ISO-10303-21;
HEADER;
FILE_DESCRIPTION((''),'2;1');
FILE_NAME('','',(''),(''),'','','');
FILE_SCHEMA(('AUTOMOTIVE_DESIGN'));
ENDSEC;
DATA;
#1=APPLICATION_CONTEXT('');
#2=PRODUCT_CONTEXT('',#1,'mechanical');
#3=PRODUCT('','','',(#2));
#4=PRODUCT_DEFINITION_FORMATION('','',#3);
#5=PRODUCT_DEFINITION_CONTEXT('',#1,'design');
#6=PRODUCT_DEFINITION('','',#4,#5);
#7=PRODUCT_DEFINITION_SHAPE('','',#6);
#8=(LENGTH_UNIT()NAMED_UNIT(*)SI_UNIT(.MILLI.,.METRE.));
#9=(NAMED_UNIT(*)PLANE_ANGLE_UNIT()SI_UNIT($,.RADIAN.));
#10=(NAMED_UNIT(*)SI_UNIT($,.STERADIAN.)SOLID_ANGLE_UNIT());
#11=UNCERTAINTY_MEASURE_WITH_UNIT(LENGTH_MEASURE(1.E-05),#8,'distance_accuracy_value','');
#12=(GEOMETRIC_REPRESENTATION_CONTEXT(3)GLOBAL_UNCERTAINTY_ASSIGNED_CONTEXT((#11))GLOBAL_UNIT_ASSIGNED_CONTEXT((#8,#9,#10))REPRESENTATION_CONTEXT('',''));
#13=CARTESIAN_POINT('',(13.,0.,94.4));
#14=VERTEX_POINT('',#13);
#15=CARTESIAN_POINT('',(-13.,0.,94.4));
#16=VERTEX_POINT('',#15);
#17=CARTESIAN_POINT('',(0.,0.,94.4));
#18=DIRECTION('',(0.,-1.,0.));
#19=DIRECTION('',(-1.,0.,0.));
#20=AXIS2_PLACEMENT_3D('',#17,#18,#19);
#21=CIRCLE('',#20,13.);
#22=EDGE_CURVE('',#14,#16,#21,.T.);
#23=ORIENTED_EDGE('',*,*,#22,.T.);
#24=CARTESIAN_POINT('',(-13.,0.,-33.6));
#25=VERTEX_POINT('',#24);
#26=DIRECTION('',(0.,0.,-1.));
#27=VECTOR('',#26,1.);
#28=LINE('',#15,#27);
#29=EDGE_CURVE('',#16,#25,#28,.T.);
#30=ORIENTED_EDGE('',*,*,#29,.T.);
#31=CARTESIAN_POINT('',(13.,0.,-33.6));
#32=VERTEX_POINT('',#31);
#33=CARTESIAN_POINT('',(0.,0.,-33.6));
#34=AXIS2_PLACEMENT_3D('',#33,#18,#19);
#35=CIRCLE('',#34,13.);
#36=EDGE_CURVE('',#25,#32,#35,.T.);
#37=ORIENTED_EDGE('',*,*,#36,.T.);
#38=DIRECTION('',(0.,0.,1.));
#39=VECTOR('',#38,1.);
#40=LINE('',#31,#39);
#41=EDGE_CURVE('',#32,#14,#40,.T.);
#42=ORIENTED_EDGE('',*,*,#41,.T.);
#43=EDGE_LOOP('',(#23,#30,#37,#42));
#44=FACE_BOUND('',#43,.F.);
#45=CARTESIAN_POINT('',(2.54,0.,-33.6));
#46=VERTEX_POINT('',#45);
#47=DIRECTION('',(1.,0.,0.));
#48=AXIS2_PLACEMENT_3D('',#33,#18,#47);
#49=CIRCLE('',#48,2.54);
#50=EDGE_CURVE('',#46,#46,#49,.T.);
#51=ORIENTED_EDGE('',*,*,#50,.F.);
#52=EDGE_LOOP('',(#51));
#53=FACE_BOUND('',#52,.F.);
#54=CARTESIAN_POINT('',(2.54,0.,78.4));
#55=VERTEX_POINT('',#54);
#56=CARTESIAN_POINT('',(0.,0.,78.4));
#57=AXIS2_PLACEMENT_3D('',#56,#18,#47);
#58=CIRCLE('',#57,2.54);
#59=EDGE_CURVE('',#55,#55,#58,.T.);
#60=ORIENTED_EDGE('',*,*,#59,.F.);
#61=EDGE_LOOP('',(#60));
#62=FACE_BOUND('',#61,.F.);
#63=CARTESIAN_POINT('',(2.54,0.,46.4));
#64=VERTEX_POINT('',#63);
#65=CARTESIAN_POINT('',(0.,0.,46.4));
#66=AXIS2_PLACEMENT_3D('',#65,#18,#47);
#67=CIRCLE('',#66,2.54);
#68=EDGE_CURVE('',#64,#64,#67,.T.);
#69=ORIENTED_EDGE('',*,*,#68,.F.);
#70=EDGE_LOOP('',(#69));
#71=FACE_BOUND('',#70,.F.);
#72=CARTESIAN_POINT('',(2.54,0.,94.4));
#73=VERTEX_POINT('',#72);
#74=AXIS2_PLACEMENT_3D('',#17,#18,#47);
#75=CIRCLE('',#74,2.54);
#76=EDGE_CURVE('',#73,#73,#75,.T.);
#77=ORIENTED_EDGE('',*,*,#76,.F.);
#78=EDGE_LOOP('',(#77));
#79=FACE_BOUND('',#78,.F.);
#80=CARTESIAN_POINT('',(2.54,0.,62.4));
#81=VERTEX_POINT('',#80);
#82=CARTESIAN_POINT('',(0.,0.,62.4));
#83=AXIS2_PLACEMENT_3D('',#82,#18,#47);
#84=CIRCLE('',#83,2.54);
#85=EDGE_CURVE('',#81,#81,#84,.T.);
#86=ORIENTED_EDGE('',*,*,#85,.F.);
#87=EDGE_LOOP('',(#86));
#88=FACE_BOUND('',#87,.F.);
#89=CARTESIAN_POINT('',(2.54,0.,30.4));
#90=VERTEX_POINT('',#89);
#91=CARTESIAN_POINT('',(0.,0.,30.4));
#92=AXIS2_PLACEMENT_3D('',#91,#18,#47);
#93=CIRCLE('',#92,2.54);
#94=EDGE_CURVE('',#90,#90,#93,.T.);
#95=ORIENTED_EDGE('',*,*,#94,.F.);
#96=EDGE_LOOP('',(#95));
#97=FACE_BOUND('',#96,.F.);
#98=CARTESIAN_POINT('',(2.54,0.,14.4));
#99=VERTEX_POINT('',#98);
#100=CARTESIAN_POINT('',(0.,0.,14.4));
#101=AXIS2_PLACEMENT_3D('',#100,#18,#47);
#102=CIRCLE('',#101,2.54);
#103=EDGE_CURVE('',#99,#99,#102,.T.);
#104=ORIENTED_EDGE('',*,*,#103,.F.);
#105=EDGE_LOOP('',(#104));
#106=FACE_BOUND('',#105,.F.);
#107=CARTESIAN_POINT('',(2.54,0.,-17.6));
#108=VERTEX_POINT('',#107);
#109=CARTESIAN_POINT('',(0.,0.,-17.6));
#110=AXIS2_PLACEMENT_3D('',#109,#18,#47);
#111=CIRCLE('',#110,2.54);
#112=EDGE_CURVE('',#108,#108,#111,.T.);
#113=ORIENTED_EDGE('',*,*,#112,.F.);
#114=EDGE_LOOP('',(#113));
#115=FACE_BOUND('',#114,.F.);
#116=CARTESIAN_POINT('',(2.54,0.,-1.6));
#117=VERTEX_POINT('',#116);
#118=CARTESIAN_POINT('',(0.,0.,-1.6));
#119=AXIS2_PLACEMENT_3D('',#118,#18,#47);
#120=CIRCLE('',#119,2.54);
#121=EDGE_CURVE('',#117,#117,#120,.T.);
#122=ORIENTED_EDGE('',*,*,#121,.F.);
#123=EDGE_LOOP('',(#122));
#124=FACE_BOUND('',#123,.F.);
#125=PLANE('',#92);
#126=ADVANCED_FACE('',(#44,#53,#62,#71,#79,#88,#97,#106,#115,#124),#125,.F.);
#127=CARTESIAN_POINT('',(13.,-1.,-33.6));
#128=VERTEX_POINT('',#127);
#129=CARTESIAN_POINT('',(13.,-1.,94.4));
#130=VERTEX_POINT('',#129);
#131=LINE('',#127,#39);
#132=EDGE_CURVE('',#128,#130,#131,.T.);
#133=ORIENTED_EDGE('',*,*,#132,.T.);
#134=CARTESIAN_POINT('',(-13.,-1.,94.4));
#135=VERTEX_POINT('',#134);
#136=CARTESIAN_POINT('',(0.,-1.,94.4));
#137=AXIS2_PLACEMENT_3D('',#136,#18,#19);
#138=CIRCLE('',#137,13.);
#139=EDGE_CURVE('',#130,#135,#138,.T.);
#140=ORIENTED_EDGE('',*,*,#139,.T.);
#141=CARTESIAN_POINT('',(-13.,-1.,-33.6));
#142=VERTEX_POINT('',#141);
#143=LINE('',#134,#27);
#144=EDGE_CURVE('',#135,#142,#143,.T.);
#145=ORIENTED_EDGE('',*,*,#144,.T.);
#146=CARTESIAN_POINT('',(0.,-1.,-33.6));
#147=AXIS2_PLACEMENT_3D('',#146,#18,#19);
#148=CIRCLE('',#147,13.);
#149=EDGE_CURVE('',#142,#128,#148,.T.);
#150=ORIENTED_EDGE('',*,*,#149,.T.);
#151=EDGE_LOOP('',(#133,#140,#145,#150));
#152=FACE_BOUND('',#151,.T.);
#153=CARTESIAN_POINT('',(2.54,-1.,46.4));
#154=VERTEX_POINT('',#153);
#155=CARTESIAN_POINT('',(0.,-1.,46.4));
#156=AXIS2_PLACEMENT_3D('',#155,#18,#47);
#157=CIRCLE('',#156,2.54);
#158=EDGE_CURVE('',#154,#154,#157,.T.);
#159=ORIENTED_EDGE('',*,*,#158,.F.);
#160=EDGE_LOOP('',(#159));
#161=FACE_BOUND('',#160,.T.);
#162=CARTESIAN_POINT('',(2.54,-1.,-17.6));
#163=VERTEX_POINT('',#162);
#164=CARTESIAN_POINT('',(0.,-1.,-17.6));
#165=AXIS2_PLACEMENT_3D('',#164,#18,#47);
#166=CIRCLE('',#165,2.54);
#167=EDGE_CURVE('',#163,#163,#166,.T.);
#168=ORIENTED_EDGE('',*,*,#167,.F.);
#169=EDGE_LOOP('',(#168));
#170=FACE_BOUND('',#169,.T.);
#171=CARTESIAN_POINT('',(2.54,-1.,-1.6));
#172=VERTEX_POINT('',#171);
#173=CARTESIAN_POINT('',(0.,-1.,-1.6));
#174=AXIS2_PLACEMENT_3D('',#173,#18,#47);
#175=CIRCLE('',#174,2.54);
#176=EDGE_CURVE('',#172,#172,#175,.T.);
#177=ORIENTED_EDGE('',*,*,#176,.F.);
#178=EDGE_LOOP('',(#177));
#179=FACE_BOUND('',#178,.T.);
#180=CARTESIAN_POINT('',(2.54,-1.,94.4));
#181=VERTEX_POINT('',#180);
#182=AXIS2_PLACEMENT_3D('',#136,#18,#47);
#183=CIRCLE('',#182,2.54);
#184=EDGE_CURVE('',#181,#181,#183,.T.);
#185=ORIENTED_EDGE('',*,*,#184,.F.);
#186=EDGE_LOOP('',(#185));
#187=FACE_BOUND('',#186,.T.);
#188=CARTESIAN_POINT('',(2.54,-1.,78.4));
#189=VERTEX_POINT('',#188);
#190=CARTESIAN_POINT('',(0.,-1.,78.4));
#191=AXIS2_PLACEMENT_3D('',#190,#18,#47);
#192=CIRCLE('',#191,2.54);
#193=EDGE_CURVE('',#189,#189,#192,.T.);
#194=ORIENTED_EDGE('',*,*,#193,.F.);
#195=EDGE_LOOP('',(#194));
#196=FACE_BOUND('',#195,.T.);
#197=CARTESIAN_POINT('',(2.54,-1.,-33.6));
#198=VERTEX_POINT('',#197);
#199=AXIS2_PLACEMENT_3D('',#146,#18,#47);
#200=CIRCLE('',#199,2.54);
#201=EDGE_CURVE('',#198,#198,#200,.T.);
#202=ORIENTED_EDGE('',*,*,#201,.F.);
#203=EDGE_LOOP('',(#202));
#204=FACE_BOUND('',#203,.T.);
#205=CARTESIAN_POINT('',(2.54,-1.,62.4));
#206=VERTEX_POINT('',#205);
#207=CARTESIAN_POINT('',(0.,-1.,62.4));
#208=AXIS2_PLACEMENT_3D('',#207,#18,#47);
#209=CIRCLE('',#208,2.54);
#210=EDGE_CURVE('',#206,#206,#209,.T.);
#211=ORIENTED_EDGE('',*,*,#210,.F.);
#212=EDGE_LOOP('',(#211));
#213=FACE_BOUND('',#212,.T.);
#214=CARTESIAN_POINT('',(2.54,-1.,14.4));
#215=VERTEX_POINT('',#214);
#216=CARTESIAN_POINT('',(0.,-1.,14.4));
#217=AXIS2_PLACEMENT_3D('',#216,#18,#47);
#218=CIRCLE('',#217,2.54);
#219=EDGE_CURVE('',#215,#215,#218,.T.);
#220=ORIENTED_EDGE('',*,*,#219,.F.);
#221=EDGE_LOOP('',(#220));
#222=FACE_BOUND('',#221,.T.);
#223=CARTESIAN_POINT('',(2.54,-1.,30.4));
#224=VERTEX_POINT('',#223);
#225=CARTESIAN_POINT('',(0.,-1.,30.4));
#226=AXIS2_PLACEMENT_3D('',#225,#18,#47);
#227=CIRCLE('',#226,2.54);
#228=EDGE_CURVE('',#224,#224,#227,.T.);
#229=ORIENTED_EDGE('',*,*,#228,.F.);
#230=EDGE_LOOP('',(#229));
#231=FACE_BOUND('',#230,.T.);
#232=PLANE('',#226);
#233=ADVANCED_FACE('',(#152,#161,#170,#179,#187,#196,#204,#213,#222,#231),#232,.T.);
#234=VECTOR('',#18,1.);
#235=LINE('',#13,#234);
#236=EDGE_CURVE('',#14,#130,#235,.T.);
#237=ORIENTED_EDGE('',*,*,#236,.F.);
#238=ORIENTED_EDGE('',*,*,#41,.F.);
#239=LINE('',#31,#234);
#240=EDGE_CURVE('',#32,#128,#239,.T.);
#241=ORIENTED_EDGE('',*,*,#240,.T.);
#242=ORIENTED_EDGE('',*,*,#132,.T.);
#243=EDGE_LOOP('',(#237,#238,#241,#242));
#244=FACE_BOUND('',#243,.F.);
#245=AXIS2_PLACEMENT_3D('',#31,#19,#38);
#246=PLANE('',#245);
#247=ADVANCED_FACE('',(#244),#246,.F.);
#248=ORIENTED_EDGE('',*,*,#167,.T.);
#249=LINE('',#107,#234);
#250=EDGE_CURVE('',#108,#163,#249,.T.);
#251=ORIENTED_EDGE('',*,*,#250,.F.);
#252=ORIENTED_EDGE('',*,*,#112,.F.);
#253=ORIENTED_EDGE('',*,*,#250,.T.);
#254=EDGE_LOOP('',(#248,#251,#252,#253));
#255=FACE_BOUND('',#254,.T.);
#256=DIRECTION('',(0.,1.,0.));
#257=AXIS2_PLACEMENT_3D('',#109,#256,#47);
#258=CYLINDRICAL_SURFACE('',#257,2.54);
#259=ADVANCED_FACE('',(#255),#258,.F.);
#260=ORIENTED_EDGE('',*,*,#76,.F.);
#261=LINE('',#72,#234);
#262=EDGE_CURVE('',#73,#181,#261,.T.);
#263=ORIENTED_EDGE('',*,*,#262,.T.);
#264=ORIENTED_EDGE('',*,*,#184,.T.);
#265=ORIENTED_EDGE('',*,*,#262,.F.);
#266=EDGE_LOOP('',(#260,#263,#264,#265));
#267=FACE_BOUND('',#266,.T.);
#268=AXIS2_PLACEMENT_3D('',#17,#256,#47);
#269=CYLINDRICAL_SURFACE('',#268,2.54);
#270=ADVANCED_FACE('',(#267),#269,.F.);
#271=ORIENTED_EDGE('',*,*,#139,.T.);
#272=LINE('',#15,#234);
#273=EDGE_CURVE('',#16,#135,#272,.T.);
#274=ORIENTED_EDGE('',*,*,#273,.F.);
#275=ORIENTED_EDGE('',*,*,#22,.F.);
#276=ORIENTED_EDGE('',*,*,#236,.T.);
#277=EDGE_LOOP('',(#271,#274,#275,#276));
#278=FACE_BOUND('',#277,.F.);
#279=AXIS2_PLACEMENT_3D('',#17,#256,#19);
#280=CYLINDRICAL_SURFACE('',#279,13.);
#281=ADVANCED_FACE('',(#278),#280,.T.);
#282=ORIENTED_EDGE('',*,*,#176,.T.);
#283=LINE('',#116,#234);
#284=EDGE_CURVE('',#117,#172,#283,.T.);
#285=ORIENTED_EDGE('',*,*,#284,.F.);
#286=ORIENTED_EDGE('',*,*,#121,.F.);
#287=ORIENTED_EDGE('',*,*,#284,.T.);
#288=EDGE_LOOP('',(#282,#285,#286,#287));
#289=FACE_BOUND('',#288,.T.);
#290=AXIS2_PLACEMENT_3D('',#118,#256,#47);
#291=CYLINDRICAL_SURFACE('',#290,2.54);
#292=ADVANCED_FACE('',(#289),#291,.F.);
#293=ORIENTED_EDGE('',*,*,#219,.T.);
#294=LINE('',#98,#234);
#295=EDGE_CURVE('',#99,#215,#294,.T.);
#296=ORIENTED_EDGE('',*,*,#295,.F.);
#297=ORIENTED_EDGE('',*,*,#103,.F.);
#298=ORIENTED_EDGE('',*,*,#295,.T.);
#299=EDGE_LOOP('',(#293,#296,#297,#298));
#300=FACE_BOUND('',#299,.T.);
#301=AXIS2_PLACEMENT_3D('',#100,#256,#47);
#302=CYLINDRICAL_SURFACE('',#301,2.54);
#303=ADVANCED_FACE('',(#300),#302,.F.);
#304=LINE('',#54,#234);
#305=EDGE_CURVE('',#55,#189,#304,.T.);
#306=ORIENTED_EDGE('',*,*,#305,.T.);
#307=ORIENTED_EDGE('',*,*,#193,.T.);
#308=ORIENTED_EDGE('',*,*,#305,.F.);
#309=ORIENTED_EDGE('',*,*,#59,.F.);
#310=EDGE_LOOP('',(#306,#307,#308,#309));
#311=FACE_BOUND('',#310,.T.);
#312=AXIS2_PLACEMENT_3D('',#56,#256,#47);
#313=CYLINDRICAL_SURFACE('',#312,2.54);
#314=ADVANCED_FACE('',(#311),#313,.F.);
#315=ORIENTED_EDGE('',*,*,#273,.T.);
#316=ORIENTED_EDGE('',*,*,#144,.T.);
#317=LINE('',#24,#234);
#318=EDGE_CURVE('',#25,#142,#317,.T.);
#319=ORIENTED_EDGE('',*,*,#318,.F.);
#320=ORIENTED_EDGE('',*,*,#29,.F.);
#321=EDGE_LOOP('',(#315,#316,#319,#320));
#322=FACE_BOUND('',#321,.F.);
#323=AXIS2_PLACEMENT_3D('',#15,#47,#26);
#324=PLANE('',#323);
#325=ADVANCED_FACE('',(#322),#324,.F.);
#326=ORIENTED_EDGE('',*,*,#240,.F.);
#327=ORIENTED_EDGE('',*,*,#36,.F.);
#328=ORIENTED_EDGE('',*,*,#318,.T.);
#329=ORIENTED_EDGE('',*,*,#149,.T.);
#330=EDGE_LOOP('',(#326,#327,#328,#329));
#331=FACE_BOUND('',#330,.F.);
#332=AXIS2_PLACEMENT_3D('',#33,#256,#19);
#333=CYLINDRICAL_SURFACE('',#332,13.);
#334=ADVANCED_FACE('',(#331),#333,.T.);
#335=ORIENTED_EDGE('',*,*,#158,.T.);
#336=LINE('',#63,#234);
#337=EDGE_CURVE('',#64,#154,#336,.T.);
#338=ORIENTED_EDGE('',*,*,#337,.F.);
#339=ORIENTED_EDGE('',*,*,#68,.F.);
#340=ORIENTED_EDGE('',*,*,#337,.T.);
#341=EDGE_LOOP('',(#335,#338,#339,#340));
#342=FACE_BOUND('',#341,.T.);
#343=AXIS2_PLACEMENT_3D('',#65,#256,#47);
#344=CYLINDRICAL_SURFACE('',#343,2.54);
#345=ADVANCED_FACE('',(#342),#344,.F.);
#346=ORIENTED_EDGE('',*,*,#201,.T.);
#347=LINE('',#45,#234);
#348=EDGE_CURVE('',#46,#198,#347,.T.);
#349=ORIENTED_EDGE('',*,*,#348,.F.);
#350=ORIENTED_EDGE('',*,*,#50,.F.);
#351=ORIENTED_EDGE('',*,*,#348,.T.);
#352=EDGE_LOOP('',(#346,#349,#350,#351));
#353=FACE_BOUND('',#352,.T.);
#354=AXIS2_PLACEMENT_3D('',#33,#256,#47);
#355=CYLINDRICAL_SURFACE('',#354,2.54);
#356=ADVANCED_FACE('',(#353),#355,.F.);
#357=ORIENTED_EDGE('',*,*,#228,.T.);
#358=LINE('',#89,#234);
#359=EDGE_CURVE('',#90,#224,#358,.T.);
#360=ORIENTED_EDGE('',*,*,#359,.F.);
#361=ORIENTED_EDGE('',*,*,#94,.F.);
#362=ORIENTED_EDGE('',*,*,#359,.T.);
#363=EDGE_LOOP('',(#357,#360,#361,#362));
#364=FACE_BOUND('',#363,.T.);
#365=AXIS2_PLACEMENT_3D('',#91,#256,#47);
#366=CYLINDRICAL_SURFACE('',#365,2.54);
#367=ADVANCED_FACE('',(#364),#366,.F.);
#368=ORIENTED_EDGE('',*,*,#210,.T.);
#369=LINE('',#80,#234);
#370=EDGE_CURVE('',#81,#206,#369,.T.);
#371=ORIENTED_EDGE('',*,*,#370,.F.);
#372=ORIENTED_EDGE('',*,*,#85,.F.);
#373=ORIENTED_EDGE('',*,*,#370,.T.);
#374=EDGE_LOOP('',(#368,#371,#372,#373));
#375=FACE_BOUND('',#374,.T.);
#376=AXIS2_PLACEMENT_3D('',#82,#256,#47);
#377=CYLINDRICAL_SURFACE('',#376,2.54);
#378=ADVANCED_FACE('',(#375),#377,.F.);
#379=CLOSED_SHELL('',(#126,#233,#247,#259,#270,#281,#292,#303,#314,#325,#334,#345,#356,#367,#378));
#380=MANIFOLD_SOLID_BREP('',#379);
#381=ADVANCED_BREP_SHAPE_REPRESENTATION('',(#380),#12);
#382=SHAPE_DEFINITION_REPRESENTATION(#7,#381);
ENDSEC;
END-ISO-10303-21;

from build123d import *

# Parameters (mm, degrees)
F0_R     = 2.54
F1_DEPTH = 1


with BuildPart() as f1:
    # F0 (on Front) → F1 (new body)
    with BuildSketch(Plane.XZ):
        with BuildLine():
            ThreePointArc((13, 94.4), (0, 81.4), (-13, 94.4))
            Line((-13, 94.4), (-13, -33.6))
            ThreePointArc((-13, -33.6), (0, -20.6), (13, -33.6))
            Line((13, -33.6), (13, 94.4))
        make_face()
        with Locations((0, -17.6)):
            Circle(F0_R, mode=Mode.SUBTRACT)
        with Locations((0, -1.6)):
            Circle(F0_R, mode=Mode.SUBTRACT)
        with Locations((0, 14.4)):
            Circle(F0_R, mode=Mode.SUBTRACT)
        with Locations((0, 30.4)):
            Circle(F0_R, mode=Mode.SUBTRACT)
        with Locations((0, 46.4)):
            Circle(F0_R, mode=Mode.SUBTRACT)
        with Locations((0, 62.4)):
            Circle(F0_R, mode=Mode.SUBTRACT)
        with Locations((0, 78.4)):
            Circle(F0_R, mode=Mode.SUBTRACT)
        with BuildLine():
            ThreePointArc((13, 94.4), (0, 107.4), (-13, 94.4))
            ThreePointArc((-13, 94.4), (0, 81.4), (13, 94.4))
        make_face()
        with Locations((0, 94.4)):
            Circle(F0_R, mode=Mode.SUBTRACT)
        with BuildLine():
            ThreePointArc((13, -33.6), (0, -20.6), (-13, -33.6))
            ThreePointArc((-13, -33.6), (0, -46.6), (13, -33.6))
        make_face()
        with Locations((0, -33.6)):
            Circle(F0_R, mode=Mode.SUBTRACT)
    extrude(amount=F1_DEPTH)


solid = f1.part
